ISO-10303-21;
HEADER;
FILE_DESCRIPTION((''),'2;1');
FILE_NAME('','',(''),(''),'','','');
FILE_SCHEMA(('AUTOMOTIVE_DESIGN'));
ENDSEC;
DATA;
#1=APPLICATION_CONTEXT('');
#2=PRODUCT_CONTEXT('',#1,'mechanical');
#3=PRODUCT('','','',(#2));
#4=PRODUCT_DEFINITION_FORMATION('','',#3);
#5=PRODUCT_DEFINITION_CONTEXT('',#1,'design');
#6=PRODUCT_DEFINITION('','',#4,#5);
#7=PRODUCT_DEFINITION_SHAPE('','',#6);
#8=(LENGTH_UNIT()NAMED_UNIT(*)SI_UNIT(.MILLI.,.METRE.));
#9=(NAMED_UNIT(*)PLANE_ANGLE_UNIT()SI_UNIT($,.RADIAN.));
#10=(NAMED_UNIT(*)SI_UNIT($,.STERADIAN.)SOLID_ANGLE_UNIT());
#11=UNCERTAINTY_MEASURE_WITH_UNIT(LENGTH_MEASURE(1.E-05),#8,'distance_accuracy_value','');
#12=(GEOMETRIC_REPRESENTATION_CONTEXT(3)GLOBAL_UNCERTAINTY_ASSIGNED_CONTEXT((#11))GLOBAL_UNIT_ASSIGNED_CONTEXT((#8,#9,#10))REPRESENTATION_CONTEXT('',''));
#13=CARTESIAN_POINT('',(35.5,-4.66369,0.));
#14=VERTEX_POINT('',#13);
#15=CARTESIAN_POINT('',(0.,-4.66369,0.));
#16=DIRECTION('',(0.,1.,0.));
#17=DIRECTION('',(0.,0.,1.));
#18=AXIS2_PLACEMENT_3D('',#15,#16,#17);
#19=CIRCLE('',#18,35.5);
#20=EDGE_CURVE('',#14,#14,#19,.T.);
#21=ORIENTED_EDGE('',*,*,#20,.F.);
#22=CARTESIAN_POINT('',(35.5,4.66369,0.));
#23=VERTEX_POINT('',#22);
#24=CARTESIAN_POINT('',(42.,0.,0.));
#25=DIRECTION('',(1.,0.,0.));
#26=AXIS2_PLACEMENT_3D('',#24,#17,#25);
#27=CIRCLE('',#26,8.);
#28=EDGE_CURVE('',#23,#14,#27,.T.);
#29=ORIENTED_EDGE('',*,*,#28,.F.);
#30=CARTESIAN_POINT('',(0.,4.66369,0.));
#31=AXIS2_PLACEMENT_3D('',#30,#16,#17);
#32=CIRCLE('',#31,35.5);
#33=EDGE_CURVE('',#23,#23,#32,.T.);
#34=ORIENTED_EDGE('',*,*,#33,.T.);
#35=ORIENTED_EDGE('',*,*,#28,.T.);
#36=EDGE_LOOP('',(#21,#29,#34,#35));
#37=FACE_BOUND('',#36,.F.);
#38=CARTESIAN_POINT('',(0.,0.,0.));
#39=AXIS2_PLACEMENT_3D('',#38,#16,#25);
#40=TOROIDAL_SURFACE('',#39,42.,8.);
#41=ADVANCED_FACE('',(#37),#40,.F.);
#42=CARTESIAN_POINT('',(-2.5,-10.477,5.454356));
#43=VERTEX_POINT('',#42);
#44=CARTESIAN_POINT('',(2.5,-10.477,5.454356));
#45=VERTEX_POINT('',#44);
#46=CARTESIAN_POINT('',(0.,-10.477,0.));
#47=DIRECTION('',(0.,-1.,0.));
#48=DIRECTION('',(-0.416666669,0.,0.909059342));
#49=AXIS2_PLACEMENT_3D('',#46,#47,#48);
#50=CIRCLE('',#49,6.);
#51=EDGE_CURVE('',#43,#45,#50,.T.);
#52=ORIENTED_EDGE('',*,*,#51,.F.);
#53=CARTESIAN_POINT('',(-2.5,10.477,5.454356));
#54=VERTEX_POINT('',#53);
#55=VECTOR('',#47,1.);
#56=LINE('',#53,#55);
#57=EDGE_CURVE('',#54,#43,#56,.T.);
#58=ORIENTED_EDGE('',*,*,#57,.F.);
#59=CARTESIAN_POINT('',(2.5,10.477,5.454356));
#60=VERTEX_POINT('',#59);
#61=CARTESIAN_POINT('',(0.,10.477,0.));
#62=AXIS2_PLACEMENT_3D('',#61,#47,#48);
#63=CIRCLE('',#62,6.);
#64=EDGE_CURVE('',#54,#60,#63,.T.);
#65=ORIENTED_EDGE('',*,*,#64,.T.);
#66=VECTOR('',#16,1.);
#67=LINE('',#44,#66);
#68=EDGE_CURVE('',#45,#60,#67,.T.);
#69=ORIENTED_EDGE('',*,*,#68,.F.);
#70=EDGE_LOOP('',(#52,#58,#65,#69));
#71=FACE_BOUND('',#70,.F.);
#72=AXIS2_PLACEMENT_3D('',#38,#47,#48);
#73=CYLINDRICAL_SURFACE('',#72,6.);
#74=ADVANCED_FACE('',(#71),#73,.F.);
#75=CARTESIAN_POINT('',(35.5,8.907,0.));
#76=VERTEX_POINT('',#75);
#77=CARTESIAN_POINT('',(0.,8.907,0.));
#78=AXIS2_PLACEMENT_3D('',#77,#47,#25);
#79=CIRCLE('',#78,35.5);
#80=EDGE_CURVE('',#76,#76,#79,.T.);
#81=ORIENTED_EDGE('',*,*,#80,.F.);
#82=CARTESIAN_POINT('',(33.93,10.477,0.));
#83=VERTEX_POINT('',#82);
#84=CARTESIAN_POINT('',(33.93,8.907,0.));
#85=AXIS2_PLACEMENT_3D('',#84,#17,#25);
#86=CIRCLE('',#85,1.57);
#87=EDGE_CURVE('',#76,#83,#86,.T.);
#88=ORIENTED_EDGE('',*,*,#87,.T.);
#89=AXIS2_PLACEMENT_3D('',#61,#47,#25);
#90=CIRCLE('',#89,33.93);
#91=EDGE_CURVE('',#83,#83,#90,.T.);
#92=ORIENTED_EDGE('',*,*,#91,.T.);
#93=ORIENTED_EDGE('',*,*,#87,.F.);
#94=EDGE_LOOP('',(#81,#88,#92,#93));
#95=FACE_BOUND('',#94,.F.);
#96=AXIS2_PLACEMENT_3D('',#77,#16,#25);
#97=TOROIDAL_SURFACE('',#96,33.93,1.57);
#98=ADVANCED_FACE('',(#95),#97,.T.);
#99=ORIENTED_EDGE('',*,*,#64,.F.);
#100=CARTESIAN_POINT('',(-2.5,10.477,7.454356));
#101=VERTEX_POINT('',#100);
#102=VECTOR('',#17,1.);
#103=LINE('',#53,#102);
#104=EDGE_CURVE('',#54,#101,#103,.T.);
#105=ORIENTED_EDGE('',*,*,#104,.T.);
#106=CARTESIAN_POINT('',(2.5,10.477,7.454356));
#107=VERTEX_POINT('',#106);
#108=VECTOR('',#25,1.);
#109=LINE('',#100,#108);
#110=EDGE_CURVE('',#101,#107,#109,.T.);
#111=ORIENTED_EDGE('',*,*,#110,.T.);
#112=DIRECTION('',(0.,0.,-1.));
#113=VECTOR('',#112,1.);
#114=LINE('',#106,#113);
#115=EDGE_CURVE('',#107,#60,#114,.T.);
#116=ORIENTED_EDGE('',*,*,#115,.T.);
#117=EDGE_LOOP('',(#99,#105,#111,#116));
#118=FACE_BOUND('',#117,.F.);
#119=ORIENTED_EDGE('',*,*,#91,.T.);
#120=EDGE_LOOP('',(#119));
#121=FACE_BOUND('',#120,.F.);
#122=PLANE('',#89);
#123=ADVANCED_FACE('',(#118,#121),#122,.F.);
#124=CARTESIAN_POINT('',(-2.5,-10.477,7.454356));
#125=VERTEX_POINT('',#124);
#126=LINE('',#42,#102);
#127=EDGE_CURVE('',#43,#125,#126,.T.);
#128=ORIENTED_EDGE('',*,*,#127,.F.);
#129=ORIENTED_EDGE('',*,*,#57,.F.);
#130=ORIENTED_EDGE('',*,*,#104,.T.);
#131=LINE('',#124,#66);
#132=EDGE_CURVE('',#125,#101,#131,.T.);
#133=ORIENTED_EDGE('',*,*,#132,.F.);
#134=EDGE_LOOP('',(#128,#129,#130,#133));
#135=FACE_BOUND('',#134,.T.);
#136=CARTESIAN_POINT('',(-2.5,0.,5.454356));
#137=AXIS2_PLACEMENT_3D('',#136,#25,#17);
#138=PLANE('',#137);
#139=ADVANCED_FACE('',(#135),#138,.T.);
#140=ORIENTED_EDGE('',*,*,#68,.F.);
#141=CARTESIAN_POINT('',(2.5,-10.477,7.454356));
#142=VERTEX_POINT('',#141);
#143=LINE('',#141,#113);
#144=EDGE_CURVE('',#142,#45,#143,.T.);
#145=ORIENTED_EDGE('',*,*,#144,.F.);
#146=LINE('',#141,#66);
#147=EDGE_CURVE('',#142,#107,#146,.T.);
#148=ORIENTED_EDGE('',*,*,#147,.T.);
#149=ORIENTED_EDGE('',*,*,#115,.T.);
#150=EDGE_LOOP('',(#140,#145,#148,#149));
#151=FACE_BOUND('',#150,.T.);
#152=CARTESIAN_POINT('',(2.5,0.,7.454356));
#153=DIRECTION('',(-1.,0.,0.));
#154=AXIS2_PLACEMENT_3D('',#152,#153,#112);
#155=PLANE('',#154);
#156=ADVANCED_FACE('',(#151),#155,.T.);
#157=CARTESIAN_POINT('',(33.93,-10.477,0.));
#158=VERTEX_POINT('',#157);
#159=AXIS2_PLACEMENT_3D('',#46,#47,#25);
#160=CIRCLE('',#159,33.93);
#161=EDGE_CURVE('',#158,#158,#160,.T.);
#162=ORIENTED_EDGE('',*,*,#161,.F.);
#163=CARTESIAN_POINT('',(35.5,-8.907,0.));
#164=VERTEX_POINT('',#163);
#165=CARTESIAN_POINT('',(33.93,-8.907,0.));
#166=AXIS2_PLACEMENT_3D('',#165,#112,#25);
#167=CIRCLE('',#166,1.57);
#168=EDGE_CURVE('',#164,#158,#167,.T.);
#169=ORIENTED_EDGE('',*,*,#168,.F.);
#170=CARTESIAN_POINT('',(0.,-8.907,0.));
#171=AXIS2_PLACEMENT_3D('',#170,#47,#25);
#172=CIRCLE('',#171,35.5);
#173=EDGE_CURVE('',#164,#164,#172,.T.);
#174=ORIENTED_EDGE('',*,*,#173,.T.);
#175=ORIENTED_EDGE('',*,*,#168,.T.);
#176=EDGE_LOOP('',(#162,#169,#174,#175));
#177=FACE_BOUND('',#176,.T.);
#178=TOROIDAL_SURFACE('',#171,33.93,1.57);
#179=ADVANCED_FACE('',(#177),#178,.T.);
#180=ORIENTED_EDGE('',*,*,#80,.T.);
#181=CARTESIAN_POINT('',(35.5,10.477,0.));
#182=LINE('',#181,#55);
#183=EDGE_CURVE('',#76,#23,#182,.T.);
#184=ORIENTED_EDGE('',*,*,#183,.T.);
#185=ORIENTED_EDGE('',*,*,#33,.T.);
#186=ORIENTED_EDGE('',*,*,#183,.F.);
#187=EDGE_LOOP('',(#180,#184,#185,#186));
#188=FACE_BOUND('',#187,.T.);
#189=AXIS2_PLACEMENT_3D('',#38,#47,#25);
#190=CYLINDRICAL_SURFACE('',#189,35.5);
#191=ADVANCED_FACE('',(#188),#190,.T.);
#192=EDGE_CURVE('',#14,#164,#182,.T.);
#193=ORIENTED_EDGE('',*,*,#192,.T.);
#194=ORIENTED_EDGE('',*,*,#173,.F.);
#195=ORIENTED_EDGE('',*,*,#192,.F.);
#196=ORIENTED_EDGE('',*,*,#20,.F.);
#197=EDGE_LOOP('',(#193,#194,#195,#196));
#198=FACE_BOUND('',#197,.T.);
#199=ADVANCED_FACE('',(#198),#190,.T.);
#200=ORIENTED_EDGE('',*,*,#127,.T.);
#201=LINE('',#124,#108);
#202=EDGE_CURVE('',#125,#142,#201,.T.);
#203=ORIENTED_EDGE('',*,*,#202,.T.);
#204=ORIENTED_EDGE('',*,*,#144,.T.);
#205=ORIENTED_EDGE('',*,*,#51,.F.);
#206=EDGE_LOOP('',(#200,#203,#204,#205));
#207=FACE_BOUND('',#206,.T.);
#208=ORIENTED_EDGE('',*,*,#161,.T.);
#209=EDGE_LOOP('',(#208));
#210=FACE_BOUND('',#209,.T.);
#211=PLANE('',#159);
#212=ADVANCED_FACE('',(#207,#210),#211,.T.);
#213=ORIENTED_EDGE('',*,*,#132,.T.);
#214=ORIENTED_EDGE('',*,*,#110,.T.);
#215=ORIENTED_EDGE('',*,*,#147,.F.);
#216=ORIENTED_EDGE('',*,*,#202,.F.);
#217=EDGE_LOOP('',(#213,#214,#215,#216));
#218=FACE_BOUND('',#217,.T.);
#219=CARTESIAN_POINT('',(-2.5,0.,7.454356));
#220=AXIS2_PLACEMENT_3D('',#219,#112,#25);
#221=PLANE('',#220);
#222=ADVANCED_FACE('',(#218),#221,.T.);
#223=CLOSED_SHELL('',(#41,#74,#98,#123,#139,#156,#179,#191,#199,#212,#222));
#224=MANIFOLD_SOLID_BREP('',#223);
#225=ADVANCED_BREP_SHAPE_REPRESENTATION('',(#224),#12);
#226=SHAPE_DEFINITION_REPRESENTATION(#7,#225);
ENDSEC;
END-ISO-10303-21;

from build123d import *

# Parameters (mm, degrees)
SKETCH002_R  = 35.5
PAD001_DEPTH = 10.477
FILLET_R     = 1.57
FILLET001_R  = 1.57
SKETCH003_R  = 8


with BuildPart() as part:
    # Sketch002 → Pad001 (new body, symmetric)
    with BuildSketch(Plane.XZ):
        Circle(SKETCH002_R)
        with BuildLine():
            ThreePointArc((-2.5, 5.454356), (0, -6), (2.5, 5.454356))
            Line((2.5, 7.454356), (2.5, 5.454356))
            Line((-2.5, 7.454356), (2.5, 7.454356))
            Line((-2.5, 5.454356), (-2.5, 7.454356))
        make_face(mode=Mode.SUBTRACT)
    extrude(amount=PAD001_DEPTH, both=True)

    # Fillet
    fillet_edges = [part.edges().sort_by_distance(p)[0] for p in [
        (-35.5, 10.477, 0),
    ]]
    fillet(fillet_edges, radius=FILLET_R)

    # Fillet001
    fillet001_edges = [part.edges().sort_by_distance(p)[0] for p in [
        (-35.5, -10.477, 0),
    ]]
    fillet(fillet001_edges, radius=FILLET001_R)

    # Sketch003 → Groove (revolve, cut)
    with BuildSketch(Plane.XY):
        with Locations((42, 0)):
            Circle(SKETCH003_R)
    revolve(axis=Axis((0, 0, 0), (0, 1, 0)), mode=Mode.SUBTRACT)


solid = part.part
